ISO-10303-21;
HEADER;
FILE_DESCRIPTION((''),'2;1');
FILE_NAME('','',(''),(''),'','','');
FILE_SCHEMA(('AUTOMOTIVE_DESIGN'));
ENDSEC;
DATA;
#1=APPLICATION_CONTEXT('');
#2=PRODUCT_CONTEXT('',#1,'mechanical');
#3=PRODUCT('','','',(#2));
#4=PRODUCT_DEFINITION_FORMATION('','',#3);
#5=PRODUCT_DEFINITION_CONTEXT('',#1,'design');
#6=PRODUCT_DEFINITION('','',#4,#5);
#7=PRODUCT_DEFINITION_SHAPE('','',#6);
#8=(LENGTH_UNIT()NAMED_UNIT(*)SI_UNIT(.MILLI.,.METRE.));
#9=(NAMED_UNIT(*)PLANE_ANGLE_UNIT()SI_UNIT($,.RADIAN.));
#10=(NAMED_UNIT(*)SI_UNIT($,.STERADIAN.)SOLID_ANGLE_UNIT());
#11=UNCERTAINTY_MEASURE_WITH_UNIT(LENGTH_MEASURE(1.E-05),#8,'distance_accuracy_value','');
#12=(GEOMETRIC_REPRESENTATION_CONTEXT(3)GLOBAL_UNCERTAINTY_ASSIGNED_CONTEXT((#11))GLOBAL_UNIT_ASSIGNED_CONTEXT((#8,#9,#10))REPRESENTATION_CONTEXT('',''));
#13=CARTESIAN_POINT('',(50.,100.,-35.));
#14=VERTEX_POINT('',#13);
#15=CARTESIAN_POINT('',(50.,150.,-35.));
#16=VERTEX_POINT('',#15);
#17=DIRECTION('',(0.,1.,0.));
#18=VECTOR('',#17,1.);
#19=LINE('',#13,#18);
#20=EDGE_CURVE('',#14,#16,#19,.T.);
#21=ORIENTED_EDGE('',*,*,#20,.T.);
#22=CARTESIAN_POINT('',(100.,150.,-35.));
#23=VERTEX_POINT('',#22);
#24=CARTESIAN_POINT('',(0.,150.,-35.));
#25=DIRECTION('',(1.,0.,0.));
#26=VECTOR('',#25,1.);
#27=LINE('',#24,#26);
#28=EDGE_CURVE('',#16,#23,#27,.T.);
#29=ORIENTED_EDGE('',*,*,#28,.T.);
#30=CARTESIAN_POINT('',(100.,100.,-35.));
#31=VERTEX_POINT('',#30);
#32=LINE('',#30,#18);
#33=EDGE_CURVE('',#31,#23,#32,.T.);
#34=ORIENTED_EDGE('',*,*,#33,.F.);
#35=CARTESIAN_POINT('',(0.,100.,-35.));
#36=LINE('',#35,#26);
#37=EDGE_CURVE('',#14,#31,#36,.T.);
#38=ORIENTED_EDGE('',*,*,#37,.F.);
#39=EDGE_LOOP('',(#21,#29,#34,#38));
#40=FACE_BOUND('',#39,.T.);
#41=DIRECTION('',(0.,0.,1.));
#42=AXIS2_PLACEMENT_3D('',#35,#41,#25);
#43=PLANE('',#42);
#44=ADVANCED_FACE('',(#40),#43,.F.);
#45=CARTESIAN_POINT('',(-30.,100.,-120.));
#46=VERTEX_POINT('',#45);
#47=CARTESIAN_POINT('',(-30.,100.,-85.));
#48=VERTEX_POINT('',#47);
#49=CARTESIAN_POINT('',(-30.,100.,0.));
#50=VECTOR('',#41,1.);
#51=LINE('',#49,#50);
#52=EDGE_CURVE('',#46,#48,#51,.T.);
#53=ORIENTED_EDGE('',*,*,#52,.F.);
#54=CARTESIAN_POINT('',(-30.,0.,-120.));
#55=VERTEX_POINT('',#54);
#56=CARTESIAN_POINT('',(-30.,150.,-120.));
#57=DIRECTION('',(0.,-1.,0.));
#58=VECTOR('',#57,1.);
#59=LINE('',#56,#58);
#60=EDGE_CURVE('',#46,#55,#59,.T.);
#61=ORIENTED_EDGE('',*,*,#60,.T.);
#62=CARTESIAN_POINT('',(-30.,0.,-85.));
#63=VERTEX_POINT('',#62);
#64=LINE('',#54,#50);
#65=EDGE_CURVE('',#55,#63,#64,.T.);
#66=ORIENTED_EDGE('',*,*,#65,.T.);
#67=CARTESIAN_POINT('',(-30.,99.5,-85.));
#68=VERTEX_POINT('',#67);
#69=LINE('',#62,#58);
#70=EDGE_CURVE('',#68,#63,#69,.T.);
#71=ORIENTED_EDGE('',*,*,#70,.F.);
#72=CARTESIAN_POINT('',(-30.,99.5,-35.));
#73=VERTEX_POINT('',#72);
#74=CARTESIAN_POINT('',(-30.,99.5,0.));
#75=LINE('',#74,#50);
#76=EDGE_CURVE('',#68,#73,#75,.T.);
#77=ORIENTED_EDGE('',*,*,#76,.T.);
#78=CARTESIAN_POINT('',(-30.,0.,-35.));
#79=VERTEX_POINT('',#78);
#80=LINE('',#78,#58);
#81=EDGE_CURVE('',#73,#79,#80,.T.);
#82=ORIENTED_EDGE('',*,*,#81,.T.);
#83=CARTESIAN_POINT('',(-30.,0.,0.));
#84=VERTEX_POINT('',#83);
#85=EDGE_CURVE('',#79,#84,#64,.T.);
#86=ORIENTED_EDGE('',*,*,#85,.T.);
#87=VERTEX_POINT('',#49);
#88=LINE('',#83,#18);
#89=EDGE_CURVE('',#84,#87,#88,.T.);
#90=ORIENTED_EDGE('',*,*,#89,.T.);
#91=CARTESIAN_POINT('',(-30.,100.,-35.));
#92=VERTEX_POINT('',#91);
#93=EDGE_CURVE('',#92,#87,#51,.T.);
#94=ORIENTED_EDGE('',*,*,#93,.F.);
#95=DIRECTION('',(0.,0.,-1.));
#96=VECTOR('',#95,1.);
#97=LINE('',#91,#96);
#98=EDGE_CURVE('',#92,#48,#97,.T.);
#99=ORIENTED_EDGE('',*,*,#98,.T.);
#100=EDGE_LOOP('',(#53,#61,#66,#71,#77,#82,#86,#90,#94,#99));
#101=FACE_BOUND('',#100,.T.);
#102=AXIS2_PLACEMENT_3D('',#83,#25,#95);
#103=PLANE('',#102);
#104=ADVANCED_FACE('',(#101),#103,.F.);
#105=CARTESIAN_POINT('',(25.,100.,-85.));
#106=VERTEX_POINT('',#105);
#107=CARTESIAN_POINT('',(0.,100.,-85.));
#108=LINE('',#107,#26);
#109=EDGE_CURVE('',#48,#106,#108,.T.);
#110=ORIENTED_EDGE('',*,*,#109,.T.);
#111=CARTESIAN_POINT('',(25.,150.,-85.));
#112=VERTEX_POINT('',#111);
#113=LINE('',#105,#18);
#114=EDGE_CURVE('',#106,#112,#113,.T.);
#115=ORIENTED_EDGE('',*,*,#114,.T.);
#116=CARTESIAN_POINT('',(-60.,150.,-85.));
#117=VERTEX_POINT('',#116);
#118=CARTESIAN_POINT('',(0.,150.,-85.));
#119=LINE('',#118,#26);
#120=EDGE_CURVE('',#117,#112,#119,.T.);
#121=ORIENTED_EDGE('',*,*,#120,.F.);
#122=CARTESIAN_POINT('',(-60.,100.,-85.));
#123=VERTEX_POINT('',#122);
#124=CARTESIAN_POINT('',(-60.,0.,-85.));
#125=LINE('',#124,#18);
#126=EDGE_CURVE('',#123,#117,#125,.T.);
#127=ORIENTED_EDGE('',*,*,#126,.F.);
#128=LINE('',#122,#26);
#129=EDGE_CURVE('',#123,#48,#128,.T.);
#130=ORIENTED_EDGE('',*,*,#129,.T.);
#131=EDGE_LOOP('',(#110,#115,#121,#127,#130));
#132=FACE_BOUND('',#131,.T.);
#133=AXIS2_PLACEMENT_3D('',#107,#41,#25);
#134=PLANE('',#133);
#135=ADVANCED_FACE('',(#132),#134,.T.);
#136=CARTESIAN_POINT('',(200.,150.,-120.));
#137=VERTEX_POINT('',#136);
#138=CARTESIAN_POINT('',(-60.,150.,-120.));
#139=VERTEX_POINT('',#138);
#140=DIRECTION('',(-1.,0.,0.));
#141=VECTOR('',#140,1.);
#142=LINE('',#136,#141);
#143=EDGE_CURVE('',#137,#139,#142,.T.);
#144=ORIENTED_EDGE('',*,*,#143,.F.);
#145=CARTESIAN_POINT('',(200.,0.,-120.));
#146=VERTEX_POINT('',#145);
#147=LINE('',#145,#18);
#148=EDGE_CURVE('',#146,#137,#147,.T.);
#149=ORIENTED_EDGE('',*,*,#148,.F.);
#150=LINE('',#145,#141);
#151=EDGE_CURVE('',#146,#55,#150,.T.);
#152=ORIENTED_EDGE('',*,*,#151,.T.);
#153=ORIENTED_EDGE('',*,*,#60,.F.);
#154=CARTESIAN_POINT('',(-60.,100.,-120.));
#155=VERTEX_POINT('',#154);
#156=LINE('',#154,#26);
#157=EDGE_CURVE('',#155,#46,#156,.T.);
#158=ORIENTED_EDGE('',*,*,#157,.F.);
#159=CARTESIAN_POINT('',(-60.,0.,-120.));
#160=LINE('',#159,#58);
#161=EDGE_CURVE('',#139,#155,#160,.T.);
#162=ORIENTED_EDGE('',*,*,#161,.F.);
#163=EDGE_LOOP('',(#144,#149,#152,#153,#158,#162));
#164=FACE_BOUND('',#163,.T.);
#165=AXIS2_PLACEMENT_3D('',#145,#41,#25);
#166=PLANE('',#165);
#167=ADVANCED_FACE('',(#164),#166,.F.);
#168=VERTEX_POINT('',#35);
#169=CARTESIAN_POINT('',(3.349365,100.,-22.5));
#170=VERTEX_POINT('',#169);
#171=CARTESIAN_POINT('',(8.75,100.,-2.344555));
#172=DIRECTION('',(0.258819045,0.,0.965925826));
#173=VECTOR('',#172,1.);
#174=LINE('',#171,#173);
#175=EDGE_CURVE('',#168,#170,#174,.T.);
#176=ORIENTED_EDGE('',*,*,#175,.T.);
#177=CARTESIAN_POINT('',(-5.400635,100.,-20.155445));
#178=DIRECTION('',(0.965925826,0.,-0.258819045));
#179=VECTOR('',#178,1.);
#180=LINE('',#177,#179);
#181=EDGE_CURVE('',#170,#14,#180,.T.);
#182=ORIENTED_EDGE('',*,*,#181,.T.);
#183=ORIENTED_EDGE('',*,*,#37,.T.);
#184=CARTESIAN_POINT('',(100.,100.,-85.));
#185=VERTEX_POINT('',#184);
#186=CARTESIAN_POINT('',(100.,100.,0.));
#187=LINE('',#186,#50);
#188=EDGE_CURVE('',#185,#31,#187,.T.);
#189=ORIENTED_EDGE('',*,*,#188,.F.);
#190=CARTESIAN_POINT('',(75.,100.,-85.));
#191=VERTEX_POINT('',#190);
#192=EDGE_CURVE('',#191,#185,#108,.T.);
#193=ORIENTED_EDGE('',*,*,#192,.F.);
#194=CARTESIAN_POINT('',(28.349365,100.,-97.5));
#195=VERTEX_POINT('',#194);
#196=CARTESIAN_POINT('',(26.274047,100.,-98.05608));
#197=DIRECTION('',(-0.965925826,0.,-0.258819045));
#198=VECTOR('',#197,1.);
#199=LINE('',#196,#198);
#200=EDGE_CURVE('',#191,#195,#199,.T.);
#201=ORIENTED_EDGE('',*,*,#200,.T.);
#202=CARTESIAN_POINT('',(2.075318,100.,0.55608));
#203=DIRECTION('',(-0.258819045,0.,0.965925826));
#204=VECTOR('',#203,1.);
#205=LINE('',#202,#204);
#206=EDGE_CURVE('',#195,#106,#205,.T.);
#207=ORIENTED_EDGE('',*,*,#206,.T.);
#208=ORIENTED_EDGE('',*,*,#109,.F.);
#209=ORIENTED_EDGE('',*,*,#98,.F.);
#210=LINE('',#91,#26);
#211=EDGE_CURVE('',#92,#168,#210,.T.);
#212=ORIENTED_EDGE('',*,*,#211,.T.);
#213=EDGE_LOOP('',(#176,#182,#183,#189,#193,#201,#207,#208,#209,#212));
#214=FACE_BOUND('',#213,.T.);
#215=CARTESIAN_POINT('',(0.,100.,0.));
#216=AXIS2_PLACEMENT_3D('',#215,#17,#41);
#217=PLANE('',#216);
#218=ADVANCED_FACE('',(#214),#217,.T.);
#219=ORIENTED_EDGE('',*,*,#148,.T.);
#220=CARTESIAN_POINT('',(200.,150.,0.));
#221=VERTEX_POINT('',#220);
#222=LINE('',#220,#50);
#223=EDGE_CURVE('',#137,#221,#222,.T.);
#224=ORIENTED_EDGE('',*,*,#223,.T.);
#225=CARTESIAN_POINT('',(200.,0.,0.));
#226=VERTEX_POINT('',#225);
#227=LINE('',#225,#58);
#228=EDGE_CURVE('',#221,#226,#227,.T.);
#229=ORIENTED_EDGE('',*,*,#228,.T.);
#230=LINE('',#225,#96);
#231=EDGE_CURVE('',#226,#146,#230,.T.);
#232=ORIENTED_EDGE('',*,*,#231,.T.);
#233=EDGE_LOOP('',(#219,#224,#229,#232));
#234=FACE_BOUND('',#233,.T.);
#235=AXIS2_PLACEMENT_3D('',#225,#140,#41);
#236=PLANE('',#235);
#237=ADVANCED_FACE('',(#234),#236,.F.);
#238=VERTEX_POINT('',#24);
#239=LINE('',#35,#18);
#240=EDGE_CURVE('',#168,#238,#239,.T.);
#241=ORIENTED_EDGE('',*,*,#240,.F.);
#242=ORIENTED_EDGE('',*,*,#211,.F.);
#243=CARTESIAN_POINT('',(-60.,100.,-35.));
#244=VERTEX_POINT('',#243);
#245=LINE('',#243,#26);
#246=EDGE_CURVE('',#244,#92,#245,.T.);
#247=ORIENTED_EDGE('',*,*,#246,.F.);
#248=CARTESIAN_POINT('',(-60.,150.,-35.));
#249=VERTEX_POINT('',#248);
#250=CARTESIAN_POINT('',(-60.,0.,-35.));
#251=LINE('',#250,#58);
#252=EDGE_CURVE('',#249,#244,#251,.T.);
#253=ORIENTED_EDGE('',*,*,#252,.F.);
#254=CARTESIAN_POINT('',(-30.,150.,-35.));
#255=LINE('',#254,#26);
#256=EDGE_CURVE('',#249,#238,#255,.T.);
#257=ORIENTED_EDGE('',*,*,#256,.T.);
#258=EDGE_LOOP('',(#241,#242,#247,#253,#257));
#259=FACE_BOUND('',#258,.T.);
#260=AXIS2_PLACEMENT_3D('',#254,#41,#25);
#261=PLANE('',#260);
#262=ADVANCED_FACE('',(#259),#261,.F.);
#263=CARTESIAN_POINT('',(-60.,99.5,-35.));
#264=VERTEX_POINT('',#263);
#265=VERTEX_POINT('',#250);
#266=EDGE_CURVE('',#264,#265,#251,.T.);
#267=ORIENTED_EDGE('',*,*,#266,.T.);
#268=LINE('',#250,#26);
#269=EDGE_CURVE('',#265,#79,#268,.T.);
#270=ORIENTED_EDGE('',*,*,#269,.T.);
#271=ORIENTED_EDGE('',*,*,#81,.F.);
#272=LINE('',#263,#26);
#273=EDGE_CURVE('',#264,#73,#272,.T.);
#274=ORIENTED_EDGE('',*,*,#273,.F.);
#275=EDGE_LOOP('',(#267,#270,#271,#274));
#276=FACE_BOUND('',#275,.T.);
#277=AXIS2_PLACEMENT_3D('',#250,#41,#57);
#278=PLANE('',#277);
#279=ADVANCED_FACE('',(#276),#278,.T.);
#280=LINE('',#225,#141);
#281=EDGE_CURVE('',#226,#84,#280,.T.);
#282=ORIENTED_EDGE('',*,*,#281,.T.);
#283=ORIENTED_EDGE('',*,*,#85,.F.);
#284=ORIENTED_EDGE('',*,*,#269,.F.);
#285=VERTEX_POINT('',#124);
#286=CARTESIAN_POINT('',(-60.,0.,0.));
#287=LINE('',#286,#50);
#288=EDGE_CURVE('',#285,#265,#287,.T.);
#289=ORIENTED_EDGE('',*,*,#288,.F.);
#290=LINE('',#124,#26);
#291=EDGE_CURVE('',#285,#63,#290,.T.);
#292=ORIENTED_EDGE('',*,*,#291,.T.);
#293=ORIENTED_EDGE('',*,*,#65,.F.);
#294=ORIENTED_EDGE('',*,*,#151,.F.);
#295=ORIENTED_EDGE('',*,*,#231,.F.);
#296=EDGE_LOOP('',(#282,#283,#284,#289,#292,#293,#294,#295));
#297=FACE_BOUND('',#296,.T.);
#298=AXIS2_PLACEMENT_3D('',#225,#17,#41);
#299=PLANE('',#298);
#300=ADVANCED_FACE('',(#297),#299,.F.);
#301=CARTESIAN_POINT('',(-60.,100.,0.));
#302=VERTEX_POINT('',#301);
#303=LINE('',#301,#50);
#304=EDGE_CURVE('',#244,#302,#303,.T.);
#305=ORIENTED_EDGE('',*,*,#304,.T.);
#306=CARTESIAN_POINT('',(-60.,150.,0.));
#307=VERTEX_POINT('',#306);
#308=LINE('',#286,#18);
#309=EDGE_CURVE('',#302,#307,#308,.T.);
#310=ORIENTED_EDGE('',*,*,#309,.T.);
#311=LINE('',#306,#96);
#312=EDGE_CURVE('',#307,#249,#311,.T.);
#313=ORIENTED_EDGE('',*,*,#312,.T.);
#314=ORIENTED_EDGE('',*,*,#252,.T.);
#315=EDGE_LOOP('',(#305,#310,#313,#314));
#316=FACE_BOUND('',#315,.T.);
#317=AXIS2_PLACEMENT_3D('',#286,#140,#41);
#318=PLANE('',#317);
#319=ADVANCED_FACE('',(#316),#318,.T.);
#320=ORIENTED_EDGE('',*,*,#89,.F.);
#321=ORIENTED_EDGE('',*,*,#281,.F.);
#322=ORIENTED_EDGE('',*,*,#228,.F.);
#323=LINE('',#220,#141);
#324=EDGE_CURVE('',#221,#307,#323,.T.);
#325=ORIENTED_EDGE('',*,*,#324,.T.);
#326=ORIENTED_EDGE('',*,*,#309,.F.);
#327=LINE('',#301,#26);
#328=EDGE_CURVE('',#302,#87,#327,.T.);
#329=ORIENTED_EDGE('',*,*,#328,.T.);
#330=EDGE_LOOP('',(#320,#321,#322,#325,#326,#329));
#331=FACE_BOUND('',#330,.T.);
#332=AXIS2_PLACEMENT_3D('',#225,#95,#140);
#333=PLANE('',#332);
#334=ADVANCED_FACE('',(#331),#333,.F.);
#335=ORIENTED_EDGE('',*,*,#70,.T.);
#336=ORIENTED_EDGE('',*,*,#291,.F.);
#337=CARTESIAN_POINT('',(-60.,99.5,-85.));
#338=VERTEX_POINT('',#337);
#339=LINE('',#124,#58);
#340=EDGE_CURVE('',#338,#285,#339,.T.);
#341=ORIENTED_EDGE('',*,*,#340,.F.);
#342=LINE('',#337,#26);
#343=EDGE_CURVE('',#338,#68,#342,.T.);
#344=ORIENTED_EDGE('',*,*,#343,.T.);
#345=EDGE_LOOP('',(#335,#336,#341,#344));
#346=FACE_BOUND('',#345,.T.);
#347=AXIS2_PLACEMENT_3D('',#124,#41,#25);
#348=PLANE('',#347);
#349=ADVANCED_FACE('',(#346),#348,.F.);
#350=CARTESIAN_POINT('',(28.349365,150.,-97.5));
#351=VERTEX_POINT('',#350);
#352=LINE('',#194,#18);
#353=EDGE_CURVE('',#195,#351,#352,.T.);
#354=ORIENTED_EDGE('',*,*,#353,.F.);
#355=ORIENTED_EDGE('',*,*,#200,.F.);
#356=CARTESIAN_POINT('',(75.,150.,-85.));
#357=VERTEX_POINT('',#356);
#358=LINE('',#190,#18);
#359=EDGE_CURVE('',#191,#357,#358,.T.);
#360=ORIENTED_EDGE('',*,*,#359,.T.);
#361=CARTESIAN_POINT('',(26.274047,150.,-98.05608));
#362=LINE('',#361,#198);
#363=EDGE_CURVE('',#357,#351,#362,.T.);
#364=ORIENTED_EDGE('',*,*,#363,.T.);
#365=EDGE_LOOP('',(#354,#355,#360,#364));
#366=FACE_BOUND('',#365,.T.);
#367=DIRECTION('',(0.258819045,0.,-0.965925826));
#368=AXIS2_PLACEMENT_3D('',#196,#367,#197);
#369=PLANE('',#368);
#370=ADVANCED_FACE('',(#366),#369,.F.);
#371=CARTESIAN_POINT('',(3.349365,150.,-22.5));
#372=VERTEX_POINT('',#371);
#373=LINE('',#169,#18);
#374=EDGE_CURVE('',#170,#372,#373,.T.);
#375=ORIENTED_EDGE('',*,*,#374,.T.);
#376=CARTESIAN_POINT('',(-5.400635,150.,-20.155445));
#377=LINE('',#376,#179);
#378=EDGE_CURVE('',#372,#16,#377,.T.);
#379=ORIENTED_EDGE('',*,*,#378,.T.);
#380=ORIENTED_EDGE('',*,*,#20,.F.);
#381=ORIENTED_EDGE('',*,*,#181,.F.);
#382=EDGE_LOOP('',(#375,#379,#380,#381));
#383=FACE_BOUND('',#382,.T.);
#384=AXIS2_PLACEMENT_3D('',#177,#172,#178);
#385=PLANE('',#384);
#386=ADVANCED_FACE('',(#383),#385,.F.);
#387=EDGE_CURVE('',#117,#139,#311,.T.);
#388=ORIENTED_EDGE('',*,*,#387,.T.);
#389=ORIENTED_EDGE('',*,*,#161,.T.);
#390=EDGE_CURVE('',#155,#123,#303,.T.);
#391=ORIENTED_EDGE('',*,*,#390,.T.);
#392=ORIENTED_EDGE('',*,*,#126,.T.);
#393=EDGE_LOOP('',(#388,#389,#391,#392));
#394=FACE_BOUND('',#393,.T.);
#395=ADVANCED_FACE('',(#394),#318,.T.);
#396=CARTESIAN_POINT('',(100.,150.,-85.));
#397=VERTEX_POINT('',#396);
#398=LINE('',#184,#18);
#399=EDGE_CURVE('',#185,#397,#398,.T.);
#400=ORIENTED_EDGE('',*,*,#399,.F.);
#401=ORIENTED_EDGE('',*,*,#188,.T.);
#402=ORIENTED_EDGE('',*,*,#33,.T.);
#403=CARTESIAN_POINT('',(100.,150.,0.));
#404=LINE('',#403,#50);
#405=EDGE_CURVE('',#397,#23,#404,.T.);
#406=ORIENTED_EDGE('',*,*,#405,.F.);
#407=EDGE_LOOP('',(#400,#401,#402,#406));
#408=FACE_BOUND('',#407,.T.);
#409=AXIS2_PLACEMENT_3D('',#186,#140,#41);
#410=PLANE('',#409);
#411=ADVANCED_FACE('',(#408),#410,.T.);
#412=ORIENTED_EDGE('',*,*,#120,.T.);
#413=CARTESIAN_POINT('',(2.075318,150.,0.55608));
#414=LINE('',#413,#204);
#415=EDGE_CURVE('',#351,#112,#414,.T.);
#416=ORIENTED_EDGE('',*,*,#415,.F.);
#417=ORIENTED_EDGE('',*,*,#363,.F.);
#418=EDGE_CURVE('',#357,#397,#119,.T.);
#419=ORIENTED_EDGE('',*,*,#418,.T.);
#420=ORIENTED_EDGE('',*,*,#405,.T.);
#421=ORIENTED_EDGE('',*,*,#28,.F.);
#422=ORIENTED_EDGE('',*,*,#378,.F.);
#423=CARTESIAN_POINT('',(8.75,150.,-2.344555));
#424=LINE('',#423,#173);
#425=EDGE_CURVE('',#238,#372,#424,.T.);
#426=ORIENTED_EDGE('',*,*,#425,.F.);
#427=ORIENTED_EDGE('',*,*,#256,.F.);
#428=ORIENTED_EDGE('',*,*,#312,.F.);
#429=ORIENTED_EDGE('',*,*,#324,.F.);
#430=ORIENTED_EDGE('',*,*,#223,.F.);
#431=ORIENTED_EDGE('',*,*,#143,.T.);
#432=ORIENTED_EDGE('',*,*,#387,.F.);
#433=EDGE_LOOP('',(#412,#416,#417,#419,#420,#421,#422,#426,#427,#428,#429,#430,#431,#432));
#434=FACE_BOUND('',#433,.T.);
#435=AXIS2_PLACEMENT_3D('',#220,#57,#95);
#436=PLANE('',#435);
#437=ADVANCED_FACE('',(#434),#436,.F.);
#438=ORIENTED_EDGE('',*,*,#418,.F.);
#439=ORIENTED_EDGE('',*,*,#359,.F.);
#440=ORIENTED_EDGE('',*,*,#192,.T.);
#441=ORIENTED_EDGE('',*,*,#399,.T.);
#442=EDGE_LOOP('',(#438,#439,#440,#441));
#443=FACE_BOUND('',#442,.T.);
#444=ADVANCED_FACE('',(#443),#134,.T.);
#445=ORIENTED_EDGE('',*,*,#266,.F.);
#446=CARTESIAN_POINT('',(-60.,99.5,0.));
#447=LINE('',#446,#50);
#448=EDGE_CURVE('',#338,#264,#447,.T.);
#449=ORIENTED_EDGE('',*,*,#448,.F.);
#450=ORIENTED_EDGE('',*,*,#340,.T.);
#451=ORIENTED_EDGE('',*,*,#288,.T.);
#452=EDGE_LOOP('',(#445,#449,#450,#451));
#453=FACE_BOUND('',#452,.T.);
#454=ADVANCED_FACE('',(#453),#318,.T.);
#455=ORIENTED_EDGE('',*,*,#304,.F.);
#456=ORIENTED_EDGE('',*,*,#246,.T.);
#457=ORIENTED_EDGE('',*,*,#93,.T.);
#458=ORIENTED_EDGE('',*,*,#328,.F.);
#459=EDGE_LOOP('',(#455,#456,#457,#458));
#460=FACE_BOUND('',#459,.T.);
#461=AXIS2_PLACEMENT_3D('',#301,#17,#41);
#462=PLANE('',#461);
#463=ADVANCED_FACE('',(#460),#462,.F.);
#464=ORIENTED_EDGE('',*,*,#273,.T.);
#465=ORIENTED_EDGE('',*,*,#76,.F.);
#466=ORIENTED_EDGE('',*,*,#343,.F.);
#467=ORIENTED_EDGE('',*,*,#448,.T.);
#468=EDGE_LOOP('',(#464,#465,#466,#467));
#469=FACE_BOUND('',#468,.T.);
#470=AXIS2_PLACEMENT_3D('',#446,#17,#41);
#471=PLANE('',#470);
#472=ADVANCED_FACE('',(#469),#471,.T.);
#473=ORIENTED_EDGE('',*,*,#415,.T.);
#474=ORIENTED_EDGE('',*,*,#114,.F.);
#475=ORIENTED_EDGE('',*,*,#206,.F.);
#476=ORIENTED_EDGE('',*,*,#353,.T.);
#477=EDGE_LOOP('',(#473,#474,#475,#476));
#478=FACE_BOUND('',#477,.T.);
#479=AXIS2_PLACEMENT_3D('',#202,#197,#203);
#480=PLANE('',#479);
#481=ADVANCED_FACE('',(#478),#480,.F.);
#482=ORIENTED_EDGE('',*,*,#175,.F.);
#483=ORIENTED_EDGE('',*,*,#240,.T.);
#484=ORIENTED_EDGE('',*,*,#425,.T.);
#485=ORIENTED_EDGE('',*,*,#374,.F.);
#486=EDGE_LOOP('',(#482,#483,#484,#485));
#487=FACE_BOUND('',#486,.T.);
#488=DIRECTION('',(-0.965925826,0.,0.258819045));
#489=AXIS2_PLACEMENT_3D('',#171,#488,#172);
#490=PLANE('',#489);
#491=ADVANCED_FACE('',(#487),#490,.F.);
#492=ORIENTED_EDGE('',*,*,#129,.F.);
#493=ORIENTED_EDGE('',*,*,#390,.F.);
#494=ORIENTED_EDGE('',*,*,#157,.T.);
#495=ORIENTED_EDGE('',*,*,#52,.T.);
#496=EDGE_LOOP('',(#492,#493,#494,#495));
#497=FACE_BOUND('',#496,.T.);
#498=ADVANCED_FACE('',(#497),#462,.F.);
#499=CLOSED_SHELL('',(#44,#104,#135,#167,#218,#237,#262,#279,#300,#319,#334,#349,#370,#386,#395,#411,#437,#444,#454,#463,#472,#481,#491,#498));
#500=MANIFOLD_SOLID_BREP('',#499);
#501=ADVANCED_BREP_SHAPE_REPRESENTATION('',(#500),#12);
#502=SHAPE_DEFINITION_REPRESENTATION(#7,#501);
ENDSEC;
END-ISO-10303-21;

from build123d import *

# Parameters (mm, degrees)
SKETCH_1_W          = 120
SKETCH_1_H          = 150
EXTRUDE_1_DEPTH     = 200
CUT_EXTRUDE_1_DEPTH = 50
EXTRUDE_3_DEPTH     = 30
SKETCH_4_W          = 35
SKETCH_4_H          = 50
EXTRUDE_4_DEPTH     = 30
SKETCH_5_W          = 50
SKETCH_5_H          = 99.5
EXTRUDE_7_DEPTH     = 30


with BuildPart() as part:
    # 草图1 → 凸台-拉伸1 (new body)
    with BuildSketch(Plane(origin=(0, 0, 0), x_dir=(0, 0, -1), z_dir=(1, 0, 0))):
        with Locations((60, 75)):
            Rectangle(SKETCH_1_W, SKETCH_1_H)
    extrude(amount=EXTRUDE_1_DEPTH)

    # 草图2 → 切除-拉伸1 (cut)
    with BuildSketch(Plane(origin=(0, 150, 0), x_dir=(1, 0, 0), z_dir=(0, 1, 0))):
        Polygon((75, 85), (25, 85), (71.650635095, 72.5), align=None)
        Polygon((28.349364905, 97.5), (25, 85), (75, 85), align=None)
        Polygon((25, 85), (0, 85), (0, 35), (46.650635095, 47.5), (50, 35), (100, 35), (100, 85), (75, 85), (71.650635095, 72.5), align=None)
        Polygon((46.650635095, 47.5), (0, 35), (50, 35), align=None)
        Polygon((50, 35), (0, 35), (3.349364905, 22.5), align=None)
    extrude(amount=-CUT_EXTRUDE_1_DEPTH, mode=Mode.SUBTRACT)

    # 草图3 → 凸台-拉伸3 (add)
    with BuildSketch(Plane.ZY):
        Polygon((-35, 100), (-85, 100), (-85, 150), (-120, 150), (-120, 0), (0, 0), (0, 150), (-35, 150), align=None)
    extrude(amount=EXTRUDE_3_DEPTH)

    # 草图4 → 凸台-拉伸4 (add)
    with BuildSketch(Plane.ZY.offset(30)):
        with Locations((-102.5, 125)):
            Rectangle(SKETCH_4_W, SKETCH_4_H)
        with Locations((-17.5, 125)):
            Rectangle(SKETCH_4_W, SKETCH_4_H)
    extrude(amount=EXTRUDE_4_DEPTH)

    # 草图5 → 凸台-拉伸7 (add)
    with BuildSketch(Plane.ZY.offset(30)):
        with Locations((-60, 49.75)):
            Rectangle(SKETCH_5_W, SKETCH_5_H)
    extrude(amount=EXTRUDE_7_DEPTH)


solid = part.part
